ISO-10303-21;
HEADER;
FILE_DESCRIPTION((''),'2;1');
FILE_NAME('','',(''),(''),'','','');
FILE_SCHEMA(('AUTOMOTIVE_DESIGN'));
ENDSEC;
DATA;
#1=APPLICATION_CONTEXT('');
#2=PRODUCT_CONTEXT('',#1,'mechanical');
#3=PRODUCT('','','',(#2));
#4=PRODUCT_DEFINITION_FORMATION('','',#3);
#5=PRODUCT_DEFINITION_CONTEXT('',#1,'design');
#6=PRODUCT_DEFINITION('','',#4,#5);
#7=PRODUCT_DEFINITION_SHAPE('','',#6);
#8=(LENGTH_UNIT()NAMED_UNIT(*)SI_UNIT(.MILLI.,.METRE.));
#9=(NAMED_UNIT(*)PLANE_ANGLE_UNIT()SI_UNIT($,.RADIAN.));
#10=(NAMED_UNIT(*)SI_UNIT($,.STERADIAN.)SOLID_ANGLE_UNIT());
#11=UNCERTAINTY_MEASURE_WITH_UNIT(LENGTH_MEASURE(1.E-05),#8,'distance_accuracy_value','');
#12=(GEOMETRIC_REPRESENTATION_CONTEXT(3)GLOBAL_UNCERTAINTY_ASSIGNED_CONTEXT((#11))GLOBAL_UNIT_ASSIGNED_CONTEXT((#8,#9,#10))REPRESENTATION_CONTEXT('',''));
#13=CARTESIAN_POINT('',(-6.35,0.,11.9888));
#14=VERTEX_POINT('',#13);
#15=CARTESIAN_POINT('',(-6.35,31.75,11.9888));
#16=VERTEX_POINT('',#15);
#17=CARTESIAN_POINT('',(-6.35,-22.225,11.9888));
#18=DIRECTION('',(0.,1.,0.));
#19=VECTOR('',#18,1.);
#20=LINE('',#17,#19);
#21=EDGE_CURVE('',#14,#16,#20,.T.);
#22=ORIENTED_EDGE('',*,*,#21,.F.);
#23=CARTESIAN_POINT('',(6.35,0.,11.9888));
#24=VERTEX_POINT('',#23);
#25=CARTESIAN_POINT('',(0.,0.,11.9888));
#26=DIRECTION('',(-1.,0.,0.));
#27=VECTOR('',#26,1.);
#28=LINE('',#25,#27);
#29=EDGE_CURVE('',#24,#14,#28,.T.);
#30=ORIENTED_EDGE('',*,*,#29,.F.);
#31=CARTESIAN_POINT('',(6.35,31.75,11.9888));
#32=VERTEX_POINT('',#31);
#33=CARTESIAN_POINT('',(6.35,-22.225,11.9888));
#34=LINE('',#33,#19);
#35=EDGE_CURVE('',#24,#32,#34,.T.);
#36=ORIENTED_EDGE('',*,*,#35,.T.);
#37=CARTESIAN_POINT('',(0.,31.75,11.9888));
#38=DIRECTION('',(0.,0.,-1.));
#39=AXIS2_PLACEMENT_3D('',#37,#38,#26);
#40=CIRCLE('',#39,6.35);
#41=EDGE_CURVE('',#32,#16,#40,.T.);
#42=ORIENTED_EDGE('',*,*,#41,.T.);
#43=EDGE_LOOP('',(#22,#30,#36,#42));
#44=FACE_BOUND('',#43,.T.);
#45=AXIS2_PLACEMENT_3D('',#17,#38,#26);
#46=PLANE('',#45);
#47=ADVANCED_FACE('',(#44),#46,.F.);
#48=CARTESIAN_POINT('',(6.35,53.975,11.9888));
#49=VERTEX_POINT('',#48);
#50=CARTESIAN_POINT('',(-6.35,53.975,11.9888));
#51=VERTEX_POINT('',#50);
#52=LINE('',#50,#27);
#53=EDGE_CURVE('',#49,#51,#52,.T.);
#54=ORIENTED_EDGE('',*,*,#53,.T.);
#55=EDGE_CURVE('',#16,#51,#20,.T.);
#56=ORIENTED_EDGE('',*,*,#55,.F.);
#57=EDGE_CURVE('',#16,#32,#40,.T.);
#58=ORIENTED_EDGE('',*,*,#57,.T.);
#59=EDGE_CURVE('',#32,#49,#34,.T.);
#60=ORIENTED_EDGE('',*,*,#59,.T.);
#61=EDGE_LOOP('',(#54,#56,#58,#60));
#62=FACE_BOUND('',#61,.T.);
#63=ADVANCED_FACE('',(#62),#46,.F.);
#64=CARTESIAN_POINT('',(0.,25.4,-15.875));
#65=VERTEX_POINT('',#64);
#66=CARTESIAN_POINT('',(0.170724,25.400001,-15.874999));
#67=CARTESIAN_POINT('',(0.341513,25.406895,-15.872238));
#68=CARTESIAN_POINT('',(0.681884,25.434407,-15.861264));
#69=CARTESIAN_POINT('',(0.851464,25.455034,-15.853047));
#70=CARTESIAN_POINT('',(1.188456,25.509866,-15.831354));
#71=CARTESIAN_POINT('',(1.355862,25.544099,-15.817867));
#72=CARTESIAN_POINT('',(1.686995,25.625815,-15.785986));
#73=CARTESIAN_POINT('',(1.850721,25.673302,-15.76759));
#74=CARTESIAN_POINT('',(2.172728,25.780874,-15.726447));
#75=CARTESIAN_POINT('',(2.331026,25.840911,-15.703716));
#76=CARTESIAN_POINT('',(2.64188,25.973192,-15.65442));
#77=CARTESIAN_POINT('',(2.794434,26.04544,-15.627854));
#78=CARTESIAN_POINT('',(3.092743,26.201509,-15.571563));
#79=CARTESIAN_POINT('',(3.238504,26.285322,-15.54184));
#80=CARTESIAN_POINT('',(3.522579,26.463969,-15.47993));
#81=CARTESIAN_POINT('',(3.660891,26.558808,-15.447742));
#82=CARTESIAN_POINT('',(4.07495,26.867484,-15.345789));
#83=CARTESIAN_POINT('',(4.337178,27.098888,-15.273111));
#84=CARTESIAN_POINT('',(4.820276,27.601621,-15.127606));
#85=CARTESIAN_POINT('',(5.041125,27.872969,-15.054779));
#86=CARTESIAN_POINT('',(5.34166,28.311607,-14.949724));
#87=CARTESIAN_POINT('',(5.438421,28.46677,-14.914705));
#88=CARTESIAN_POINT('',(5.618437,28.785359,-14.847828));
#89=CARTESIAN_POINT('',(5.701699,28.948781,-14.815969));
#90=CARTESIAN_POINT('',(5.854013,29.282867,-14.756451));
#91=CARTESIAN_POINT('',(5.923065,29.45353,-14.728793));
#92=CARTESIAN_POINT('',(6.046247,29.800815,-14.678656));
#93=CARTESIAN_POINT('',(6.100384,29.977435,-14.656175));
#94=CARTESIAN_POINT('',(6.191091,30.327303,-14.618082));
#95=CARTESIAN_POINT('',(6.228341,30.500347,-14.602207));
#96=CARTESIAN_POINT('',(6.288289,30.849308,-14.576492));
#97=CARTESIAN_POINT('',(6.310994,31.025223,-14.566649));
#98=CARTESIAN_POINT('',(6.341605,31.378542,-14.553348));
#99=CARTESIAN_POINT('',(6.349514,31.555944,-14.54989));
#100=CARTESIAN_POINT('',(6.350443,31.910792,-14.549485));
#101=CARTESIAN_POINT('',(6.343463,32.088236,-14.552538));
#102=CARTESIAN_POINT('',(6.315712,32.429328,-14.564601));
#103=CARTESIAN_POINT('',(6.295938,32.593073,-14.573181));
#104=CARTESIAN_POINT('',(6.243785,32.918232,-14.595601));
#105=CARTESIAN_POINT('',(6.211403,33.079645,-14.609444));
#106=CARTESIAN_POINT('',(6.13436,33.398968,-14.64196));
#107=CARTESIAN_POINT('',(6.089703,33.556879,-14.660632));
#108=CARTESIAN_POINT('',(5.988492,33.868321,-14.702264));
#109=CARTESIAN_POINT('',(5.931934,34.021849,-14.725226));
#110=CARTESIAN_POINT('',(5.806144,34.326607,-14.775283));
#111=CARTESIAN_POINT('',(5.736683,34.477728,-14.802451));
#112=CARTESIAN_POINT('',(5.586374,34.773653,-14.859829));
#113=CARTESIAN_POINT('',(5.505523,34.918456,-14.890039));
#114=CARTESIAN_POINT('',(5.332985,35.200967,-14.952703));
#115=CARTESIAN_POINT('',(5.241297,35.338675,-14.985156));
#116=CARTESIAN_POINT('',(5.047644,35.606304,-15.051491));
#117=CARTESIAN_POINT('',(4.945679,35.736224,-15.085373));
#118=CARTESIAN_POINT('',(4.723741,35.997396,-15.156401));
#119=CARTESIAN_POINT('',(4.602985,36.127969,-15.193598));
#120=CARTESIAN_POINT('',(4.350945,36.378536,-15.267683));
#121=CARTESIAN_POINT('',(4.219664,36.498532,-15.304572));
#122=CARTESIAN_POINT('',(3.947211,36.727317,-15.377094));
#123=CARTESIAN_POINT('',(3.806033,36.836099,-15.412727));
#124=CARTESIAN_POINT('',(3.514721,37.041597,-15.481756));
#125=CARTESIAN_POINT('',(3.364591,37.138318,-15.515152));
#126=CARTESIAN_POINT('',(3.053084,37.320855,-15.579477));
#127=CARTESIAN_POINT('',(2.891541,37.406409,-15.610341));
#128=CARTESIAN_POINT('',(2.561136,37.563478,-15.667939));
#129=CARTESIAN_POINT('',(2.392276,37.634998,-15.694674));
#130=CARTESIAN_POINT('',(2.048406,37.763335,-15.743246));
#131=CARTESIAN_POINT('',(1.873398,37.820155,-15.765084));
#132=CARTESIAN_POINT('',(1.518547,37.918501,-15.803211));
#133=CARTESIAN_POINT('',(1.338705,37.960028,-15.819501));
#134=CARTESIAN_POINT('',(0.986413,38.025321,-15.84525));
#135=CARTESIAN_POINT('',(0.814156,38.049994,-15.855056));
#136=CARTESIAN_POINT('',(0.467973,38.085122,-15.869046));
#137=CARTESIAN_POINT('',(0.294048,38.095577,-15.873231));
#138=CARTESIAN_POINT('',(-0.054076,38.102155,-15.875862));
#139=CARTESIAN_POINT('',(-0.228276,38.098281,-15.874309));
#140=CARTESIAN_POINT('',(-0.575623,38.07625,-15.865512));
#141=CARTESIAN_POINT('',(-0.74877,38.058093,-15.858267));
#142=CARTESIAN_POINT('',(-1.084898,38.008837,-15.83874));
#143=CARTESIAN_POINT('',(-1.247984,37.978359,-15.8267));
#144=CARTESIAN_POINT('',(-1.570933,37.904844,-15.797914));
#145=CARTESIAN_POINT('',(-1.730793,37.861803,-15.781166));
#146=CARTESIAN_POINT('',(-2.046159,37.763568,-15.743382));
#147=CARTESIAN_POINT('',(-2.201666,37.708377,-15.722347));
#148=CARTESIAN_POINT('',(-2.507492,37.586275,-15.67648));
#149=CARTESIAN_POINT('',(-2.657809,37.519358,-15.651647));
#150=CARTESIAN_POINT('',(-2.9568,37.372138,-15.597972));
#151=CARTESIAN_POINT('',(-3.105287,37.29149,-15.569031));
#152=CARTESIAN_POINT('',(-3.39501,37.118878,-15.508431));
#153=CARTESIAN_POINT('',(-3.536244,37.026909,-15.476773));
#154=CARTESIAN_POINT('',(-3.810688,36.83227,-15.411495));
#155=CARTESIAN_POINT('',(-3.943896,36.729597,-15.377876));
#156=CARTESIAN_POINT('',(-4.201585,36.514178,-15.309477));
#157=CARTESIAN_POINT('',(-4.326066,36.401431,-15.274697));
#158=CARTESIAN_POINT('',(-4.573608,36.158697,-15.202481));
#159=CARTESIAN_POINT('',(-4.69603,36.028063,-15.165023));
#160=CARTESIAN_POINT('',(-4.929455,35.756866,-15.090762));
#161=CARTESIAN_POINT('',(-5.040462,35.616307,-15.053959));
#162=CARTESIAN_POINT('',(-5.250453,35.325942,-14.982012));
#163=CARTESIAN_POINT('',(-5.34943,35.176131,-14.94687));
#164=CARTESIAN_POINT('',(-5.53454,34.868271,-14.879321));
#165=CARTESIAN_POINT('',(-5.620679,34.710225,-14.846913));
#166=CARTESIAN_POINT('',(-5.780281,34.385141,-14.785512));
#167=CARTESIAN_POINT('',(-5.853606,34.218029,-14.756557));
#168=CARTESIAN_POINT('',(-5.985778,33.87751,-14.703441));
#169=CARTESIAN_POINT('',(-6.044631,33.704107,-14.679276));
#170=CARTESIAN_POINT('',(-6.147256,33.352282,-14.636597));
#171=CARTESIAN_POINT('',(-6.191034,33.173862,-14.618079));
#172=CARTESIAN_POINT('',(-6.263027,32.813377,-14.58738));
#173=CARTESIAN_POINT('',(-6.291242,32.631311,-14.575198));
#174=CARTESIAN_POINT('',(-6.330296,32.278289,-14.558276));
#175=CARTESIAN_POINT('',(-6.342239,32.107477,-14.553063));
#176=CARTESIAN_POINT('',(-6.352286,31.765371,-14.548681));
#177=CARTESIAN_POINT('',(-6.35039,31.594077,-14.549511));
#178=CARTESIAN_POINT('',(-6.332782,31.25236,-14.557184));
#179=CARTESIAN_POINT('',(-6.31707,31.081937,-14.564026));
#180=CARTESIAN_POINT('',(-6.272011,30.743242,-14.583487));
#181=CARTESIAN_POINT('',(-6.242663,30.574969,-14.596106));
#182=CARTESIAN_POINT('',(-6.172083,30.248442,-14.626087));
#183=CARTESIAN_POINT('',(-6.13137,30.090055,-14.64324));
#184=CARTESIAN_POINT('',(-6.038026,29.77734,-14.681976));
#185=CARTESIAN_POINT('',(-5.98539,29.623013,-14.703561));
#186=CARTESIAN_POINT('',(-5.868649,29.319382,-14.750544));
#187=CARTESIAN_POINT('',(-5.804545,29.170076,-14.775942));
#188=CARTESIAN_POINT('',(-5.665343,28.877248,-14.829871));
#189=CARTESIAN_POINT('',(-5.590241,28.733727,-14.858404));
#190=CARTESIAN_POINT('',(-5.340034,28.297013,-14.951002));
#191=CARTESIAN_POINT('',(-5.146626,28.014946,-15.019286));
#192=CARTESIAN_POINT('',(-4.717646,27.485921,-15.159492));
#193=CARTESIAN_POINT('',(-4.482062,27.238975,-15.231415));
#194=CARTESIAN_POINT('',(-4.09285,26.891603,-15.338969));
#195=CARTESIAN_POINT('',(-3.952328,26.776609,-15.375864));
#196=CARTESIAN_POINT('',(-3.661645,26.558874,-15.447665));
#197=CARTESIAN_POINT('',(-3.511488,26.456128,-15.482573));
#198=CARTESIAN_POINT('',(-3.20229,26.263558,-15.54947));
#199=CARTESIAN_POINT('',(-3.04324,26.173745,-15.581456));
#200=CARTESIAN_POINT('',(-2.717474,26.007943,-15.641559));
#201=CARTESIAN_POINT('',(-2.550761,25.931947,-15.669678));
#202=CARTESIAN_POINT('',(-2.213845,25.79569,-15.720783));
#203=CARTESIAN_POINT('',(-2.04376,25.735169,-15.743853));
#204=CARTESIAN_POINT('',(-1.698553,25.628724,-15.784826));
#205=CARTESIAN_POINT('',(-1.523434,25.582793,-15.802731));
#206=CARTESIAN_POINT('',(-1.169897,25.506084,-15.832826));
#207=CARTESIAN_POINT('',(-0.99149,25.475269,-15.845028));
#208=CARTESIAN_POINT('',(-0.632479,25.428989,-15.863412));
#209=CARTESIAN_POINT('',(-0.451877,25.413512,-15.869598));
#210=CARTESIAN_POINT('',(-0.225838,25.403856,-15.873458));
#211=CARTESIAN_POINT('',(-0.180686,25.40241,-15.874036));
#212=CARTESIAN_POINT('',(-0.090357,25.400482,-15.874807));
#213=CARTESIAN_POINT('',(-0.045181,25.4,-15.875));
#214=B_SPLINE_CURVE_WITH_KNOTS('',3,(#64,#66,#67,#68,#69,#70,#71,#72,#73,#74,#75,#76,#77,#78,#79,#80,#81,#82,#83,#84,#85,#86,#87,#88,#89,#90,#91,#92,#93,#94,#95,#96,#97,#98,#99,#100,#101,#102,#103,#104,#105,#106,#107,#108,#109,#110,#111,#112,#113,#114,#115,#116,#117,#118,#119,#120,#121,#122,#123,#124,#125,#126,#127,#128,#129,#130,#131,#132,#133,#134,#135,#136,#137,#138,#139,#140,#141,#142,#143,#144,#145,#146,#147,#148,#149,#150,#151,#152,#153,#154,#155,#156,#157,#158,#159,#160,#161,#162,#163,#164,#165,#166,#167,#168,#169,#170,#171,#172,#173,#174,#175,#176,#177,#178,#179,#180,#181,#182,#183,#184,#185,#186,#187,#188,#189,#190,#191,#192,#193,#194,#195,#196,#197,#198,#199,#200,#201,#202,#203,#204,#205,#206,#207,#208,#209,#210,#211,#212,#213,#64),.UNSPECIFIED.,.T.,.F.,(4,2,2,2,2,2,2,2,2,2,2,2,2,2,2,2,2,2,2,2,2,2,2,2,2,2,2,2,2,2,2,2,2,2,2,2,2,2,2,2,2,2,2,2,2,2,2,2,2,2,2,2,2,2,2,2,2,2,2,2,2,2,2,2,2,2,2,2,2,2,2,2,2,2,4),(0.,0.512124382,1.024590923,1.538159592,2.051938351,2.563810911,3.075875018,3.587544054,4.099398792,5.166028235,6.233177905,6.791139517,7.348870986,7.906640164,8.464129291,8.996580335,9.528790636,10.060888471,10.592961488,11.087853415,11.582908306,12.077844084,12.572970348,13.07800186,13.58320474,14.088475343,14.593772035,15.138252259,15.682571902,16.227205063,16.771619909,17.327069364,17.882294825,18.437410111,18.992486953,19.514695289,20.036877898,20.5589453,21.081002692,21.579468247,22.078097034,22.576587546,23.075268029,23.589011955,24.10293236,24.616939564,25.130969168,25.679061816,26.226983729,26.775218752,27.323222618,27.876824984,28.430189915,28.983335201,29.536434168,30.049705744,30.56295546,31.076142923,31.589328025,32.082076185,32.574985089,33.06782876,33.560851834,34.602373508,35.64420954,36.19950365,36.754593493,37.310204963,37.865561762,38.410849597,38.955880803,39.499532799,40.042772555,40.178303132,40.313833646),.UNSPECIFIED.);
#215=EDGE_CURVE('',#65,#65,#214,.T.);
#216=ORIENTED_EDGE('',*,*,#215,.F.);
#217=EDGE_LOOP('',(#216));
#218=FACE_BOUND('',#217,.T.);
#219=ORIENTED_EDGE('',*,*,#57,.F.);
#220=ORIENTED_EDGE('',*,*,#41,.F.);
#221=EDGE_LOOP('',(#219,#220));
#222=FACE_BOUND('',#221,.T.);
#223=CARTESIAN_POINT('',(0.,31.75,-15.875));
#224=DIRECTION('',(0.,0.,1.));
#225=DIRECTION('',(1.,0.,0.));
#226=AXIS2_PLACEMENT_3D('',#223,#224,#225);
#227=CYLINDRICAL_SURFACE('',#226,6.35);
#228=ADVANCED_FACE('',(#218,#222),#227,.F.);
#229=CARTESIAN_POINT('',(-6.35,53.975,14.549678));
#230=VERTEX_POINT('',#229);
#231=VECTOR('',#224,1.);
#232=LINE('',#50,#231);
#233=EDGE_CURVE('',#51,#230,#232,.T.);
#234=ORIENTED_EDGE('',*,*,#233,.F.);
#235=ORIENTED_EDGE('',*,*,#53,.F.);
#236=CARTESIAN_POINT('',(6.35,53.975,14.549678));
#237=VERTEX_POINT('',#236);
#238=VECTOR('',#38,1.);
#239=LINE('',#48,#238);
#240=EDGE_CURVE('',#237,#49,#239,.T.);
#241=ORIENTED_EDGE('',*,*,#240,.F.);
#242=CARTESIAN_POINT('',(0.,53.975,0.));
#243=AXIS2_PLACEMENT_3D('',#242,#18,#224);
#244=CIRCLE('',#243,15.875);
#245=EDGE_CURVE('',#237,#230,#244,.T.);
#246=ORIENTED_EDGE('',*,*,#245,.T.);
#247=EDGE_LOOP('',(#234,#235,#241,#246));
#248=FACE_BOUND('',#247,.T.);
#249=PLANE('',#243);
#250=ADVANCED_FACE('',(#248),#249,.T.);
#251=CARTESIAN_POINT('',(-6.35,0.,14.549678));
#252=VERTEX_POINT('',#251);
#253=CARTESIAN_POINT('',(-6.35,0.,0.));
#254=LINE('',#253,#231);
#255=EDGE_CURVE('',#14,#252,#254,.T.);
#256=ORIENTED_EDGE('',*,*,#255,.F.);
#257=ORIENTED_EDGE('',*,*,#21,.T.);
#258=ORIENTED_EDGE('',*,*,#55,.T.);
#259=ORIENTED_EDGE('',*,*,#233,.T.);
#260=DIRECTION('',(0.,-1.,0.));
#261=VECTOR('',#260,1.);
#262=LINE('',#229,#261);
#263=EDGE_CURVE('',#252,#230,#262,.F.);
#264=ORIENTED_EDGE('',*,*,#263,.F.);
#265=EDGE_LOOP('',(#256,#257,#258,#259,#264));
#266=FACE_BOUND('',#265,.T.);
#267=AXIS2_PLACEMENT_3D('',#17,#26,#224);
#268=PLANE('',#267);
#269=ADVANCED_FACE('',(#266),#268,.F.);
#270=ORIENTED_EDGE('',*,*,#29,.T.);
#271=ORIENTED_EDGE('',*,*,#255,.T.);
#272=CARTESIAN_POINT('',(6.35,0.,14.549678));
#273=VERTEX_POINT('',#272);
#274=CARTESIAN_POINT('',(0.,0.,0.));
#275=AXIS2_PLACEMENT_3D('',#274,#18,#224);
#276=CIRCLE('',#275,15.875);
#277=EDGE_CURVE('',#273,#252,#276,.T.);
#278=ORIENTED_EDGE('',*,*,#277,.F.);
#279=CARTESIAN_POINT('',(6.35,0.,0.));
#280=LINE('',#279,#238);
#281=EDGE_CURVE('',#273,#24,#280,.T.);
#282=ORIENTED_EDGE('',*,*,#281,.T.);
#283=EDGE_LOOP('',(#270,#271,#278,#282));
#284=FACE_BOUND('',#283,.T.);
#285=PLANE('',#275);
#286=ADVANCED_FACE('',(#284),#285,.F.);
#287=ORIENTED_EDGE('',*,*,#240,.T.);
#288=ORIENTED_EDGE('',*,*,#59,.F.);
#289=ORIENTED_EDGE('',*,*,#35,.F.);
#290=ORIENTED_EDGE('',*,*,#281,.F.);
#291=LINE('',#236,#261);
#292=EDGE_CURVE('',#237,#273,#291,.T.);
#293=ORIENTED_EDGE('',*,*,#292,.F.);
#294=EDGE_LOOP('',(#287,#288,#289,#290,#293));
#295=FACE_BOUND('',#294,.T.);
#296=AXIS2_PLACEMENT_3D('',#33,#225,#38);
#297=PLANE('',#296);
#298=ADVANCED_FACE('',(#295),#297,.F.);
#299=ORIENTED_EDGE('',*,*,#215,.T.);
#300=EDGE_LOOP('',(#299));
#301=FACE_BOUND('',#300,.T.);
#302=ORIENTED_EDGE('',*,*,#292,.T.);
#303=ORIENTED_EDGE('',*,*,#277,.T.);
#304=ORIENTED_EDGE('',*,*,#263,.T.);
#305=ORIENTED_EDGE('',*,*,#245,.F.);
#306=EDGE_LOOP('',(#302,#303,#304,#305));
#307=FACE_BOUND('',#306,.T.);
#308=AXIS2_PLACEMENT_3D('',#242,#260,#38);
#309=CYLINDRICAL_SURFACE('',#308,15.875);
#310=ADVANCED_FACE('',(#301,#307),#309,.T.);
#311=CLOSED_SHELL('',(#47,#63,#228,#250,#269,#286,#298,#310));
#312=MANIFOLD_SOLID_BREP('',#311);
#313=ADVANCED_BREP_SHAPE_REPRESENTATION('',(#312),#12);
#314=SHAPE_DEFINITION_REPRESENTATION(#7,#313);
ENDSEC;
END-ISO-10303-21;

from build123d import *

# Parameters (mm, degrees)
SKETCH1_R           = 15.875
CYLINDER_DEPTH      = 53.975
SKETCH2_W           = 12.7
SKETCH2_H           = 3.8862
FLUE_TRACK_DEPTH    = 76.2
AIR_DUCT_DEPTH      = 59.45794963
AIR_DUCT_DEPTH_BACK = 59.45794963
SKETCH3_R           = 6.35


with BuildPart() as part:
    # Sketch1 → cylinder (new body)
    with BuildSketch(Plane(origin=(0, 0, 0), x_dir=(1, 0, 0), z_dir=(0, 1, 0))):
        with Locations(Location((0, 0, 0), (0, 0, 270))):
            Circle(SKETCH1_R)
    extrude(amount=CYLINDER_DEPTH)

    # Sketch2 → flue track (cut)
    with BuildSketch(Plane(origin=(0, 53.975, 0), x_dir=(1, 0, 0), z_dir=(0, 1, 0))):
        with Locations((0, -13.9319)):
            Rectangle(SKETCH2_W, SKETCH2_H)
    extrude(amount=-FLUE_TRACK_DEPTH, mode=Mode.SUBTRACT)

    # Sketch3 → air duct (cut, two sides: drawn at the far end of the back side and taken through both)
    with BuildSketch(Plane.XY.offset(-AIR_DUCT_DEPTH_BACK)):
        with Locations((0, 31.75)):
            Circle(SKETCH3_R)
    extrude(amount=AIR_DUCT_DEPTH + AIR_DUCT_DEPTH_BACK, mode=Mode.SUBTRACT)


solid = part.part
